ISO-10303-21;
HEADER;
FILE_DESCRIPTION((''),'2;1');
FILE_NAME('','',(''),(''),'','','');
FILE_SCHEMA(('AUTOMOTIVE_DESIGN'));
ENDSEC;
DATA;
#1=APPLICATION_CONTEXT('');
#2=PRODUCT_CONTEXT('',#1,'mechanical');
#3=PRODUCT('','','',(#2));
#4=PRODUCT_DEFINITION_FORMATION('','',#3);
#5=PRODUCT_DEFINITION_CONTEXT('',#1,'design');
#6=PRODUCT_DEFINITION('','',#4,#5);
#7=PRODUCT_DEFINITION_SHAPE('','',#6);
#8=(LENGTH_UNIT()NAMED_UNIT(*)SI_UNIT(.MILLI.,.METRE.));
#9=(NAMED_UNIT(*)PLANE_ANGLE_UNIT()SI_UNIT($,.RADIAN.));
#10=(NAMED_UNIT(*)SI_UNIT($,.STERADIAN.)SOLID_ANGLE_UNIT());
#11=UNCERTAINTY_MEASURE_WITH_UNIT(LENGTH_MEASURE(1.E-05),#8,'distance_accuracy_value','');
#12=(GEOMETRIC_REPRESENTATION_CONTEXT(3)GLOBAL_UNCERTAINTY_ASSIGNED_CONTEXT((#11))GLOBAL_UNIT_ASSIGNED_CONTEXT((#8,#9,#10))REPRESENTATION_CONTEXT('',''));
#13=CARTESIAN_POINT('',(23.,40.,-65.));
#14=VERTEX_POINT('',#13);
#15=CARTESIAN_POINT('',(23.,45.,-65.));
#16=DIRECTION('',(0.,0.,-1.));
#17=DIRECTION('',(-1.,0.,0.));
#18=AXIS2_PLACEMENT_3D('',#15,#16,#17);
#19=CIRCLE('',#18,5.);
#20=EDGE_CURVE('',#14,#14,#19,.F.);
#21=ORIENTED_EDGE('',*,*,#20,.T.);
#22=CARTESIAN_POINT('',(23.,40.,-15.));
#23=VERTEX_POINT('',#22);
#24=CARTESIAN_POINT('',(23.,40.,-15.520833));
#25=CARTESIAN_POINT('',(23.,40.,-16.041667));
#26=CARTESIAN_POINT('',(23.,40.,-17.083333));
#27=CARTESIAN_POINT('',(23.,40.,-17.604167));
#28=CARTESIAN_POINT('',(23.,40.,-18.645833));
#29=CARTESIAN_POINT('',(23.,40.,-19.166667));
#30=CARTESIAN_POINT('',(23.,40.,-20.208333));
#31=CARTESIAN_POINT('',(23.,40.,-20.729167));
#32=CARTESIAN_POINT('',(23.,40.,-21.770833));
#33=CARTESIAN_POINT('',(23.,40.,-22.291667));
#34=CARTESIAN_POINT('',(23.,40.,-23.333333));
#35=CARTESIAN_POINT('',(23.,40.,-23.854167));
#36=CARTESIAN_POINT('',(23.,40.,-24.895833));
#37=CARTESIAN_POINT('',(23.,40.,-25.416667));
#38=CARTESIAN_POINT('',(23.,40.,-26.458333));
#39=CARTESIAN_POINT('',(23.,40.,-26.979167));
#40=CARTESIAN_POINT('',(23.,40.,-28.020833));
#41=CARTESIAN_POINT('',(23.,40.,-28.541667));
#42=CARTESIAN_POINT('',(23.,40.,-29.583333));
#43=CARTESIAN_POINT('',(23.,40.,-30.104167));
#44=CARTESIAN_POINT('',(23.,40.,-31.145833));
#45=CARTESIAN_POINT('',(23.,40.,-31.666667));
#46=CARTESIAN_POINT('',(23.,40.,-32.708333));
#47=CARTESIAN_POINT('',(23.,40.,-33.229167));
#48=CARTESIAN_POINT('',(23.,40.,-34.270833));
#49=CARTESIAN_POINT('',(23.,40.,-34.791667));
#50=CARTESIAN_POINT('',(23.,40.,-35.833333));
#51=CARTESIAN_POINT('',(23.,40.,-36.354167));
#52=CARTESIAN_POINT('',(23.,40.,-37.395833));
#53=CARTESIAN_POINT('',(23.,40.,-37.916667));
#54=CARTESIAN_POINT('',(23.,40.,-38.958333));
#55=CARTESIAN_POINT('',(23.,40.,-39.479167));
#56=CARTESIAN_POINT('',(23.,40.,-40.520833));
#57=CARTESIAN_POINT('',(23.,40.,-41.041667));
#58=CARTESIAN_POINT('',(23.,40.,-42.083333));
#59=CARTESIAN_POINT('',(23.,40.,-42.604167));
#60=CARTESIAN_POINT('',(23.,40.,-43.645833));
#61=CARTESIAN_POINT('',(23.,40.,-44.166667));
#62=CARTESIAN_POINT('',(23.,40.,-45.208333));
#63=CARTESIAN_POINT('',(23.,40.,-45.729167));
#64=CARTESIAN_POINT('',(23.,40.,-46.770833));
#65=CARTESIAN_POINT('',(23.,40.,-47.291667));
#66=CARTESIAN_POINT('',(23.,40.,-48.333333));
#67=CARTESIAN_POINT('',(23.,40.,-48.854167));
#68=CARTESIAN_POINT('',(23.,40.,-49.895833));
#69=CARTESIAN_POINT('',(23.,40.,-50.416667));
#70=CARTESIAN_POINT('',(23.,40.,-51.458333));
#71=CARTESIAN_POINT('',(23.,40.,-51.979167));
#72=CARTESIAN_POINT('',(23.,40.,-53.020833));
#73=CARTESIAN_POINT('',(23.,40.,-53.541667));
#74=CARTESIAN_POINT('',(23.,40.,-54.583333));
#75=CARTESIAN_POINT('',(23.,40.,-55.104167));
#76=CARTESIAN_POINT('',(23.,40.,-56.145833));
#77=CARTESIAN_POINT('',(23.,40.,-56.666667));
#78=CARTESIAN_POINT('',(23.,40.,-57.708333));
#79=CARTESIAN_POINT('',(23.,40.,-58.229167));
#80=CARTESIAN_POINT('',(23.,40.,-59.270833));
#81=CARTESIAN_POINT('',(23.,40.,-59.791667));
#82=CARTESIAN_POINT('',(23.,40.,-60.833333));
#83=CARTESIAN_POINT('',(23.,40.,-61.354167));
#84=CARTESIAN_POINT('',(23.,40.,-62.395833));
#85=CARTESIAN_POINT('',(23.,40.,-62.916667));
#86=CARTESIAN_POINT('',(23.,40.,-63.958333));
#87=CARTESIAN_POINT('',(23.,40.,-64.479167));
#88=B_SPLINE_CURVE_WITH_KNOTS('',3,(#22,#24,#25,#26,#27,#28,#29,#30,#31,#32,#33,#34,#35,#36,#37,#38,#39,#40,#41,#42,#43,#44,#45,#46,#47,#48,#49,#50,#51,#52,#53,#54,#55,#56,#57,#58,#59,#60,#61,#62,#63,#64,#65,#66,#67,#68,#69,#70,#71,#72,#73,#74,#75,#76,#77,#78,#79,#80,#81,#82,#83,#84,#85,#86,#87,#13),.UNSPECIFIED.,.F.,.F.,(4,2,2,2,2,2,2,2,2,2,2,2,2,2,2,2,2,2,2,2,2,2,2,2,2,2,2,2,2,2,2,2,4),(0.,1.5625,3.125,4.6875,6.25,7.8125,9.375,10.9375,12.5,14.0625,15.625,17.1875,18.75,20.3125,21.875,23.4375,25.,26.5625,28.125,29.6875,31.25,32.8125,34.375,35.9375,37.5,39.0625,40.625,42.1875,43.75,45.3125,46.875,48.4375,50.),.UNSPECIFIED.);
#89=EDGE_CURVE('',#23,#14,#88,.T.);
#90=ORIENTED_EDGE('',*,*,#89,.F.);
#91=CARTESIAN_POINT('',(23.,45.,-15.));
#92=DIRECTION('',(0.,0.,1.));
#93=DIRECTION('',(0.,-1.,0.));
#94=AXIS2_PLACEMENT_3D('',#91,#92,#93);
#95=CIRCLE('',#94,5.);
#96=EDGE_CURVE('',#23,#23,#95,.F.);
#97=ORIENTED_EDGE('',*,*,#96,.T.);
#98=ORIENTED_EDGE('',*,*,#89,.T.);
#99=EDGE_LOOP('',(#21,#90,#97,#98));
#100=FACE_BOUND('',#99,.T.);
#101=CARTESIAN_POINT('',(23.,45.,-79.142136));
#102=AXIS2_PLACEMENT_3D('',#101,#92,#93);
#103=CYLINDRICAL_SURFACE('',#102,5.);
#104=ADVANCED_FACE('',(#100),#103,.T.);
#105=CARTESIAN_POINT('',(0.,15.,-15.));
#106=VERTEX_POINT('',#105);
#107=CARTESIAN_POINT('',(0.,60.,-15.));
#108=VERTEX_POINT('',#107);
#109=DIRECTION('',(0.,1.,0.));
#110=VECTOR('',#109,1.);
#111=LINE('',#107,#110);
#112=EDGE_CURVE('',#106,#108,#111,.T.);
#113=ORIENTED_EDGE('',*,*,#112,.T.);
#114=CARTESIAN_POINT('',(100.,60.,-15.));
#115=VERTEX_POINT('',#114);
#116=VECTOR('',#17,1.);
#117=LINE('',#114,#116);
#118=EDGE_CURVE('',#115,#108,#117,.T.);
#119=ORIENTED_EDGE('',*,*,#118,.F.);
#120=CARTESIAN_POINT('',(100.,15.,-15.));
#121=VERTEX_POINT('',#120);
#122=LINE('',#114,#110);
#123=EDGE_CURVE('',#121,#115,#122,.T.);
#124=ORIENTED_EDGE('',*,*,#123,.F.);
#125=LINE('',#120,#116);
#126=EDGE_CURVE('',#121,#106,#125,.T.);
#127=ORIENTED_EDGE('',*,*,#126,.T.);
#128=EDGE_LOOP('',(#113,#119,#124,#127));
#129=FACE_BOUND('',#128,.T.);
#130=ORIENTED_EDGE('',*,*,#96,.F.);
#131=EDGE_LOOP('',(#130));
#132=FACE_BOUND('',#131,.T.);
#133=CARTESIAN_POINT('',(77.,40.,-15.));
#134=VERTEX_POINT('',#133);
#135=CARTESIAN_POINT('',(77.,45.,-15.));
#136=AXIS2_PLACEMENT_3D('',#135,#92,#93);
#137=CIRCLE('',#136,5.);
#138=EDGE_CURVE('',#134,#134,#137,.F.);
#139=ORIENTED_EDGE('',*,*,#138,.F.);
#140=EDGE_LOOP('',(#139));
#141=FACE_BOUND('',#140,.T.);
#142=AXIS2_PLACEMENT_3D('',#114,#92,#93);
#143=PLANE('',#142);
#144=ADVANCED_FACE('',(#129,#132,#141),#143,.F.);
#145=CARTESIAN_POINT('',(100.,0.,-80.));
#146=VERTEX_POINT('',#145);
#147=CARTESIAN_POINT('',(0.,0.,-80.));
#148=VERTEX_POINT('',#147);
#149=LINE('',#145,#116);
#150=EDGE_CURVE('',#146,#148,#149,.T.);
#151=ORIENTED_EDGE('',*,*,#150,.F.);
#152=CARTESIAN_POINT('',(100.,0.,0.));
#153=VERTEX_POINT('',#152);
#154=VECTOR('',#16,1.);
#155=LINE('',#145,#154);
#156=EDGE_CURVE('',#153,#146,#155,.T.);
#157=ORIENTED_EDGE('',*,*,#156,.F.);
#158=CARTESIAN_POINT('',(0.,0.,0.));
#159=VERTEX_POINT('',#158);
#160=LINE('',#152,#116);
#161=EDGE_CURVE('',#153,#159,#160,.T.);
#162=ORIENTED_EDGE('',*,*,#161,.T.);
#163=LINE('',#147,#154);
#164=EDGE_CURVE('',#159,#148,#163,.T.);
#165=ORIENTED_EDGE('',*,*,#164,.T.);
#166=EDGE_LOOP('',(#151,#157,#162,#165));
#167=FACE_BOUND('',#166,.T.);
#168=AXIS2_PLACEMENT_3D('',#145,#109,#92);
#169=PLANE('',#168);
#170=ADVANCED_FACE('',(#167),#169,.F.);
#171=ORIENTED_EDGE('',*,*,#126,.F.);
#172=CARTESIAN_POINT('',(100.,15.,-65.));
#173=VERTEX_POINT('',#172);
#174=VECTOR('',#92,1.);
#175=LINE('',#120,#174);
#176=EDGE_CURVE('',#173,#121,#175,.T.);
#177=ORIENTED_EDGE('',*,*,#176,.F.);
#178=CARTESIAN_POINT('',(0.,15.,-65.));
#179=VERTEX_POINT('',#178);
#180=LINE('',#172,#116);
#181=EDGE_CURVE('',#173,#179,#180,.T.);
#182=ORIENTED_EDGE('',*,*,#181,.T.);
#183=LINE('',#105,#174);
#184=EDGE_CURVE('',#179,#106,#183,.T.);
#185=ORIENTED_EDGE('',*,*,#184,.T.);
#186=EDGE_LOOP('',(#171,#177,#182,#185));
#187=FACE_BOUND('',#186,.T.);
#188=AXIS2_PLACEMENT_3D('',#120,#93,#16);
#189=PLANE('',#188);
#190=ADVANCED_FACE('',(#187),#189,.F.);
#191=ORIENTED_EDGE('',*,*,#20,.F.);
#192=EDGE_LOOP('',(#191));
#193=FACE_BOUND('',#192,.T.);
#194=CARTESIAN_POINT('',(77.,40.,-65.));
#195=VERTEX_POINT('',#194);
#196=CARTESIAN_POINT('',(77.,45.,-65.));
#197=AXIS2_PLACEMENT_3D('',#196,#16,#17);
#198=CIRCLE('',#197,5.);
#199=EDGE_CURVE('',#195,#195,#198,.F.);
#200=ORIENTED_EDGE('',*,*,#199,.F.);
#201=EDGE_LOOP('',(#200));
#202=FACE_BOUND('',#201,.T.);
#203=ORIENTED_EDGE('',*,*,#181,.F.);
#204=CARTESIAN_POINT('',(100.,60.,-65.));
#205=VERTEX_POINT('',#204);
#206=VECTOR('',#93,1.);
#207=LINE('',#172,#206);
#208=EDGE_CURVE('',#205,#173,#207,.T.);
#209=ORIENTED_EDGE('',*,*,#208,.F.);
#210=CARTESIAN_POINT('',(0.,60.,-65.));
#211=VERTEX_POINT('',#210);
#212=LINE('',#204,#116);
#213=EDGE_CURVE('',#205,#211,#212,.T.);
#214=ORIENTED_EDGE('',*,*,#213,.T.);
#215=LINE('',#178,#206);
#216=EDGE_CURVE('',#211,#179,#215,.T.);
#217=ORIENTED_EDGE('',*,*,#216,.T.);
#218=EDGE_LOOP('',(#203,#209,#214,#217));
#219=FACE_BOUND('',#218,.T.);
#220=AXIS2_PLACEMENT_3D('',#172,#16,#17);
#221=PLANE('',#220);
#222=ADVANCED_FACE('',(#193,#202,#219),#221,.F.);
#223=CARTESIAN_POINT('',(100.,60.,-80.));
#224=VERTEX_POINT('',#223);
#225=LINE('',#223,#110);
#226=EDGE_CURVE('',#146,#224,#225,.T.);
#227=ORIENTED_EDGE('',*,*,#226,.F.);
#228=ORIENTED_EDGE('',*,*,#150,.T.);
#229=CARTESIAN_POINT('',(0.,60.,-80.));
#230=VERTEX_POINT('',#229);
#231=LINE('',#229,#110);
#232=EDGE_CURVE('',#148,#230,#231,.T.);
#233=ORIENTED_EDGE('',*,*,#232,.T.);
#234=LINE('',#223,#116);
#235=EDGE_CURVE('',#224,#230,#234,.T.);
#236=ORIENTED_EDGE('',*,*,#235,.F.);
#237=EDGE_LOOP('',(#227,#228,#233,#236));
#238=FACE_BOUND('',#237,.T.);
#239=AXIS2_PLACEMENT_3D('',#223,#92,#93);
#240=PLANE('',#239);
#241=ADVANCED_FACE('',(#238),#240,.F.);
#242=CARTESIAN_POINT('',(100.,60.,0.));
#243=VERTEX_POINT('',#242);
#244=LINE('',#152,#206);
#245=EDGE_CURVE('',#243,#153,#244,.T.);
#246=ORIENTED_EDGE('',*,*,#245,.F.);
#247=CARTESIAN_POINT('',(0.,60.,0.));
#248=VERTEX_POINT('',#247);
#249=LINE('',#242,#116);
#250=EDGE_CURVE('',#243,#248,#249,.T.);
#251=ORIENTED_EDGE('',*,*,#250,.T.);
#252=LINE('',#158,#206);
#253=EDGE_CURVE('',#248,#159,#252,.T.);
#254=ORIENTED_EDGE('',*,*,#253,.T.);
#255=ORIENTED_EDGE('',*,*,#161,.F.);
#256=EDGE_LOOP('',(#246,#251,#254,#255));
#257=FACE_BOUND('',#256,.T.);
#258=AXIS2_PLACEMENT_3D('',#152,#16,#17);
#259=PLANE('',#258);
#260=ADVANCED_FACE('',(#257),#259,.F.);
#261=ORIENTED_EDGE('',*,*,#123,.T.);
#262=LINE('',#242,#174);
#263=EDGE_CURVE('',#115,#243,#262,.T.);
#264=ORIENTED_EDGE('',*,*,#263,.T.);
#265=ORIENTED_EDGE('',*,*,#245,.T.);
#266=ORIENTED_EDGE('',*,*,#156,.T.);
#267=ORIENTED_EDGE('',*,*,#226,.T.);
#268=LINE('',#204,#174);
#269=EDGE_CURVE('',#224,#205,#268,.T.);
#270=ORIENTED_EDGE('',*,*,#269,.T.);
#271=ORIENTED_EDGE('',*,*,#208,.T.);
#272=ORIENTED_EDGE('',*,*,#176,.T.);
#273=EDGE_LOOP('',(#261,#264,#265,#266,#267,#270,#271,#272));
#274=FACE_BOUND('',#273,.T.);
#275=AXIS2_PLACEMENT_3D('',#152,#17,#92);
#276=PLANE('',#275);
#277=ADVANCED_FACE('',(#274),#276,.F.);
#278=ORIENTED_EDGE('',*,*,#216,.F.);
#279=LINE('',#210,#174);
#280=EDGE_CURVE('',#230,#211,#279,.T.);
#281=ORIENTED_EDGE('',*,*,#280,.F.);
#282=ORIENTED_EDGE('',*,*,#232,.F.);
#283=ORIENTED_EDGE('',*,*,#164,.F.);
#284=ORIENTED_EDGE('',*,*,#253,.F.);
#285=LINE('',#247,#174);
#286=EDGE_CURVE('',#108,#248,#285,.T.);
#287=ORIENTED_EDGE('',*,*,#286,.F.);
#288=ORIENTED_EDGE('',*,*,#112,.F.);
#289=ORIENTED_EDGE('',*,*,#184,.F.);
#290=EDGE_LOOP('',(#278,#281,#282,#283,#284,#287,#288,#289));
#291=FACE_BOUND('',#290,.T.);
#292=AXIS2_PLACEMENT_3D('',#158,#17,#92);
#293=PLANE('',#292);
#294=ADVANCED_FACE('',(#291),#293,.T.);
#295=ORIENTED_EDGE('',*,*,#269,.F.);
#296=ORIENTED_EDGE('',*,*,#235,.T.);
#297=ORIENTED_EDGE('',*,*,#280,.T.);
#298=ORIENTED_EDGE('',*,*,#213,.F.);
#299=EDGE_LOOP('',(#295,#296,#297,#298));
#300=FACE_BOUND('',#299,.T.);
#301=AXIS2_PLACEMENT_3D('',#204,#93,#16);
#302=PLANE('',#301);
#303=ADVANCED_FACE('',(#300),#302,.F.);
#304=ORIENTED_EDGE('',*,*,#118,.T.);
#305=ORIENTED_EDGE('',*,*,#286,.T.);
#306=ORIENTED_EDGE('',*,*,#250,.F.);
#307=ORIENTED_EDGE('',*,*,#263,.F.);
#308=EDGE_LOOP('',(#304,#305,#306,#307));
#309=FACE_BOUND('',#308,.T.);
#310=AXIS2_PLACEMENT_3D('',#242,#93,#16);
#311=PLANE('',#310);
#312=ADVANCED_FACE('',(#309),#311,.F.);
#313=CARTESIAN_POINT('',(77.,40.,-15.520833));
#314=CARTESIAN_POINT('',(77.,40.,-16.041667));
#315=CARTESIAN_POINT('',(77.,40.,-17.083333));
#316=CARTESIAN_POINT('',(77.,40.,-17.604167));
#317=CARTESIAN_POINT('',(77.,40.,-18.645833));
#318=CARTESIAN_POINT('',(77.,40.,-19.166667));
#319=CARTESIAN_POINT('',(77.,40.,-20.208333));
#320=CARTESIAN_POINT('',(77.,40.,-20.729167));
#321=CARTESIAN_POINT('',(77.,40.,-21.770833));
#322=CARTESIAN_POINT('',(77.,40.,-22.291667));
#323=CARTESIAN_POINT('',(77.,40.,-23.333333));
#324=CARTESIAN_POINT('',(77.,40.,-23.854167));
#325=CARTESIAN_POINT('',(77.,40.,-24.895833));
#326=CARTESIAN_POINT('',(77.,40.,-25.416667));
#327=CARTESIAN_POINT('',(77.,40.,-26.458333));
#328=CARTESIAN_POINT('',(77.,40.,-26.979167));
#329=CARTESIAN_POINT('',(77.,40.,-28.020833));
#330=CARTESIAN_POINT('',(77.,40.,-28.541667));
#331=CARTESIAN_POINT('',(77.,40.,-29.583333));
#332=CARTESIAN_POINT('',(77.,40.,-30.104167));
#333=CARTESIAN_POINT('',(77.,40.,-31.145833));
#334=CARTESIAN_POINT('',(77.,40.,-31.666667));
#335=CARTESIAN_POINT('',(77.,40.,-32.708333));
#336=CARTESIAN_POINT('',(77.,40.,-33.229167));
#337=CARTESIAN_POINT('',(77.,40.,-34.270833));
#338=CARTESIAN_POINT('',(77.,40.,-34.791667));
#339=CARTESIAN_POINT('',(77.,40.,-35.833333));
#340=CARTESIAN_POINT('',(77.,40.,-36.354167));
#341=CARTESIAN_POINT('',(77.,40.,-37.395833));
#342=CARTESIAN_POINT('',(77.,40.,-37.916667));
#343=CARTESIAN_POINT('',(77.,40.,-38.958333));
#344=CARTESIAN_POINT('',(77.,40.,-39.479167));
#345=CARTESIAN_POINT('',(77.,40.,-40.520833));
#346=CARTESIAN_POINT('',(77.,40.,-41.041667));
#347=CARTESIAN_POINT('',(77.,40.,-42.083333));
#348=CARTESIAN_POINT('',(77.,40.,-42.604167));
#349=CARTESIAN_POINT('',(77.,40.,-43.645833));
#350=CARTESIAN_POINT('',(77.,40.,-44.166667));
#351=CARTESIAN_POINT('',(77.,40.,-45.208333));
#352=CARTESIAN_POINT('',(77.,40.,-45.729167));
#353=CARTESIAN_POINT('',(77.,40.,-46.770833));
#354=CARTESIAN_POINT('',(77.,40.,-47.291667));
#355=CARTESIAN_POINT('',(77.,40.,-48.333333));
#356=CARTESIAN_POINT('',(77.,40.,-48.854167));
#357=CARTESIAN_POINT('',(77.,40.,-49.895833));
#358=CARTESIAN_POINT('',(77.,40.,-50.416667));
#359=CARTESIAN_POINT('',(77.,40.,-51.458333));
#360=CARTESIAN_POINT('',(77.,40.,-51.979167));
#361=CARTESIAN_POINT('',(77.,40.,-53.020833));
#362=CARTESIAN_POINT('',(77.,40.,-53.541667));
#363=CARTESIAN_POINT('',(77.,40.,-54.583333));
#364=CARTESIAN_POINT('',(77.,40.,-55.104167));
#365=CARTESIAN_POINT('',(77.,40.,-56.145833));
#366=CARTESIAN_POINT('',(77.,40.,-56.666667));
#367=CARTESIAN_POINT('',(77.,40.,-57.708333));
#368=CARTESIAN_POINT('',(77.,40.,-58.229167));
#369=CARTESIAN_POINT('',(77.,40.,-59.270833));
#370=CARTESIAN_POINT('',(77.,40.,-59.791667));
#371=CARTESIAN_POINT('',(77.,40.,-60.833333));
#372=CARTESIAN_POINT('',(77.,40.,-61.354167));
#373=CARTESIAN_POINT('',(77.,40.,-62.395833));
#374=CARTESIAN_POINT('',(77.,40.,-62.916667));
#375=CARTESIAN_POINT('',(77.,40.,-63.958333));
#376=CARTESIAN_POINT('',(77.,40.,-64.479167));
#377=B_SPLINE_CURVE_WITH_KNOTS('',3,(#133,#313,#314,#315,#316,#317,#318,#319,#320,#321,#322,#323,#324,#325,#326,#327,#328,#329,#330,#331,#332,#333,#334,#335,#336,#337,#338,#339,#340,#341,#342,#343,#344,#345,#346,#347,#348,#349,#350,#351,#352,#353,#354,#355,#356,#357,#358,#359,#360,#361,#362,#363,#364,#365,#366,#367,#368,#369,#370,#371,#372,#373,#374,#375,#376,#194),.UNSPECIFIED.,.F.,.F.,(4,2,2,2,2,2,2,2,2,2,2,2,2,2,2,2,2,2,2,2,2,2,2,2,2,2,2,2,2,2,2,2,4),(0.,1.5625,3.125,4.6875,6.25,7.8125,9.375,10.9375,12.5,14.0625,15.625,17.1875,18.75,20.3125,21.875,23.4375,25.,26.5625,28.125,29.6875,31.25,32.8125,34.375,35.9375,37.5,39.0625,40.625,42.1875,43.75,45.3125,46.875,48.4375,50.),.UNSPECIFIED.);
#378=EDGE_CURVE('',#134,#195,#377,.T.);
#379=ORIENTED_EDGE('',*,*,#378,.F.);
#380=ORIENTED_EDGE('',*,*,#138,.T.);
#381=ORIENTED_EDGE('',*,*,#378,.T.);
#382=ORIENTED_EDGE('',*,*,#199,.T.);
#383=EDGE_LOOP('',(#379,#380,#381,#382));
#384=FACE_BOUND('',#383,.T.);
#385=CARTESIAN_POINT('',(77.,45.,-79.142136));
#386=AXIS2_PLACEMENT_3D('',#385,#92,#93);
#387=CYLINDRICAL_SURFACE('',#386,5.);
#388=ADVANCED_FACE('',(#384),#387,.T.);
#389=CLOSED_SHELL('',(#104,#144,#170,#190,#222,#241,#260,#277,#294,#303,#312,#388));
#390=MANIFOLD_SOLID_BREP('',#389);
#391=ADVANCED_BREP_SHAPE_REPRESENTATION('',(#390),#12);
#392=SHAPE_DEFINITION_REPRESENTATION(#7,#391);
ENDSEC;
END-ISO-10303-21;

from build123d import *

# Parameters (mm, degrees)
BOSS_EXTRUDE1_DEPTH = 100
SKETCH2_R           = 5
BOSS_EXTRUDE2_DEPTH = 50


with BuildPart() as part:
    # Sketch1 → Boss-Extrude1 (new body)
    with BuildSketch(Plane(origin=(0, 0, 0), x_dir=(0, 0, -1), z_dir=(1, 0, 0))):
        Polygon((0, 0), (0, 60), (15, 60), (15, 15), (65, 15), (65, 60), (80, 60), (80, 0), align=None)
    extrude(amount=BOSS_EXTRUDE1_DEPTH)

    # Sketch2 → Boss-Extrude2 (add)
    with BuildSketch(Plane(origin=(0, 0, -15), x_dir=(-1, 0, 0), z_dir=(0, 0, -1))):
        with Locations(Location((-77, 45, 0), (0, 0, 270))):
            Circle(SKETCH2_R)
        with Locations(Location((-23, 45, 0), (0, 0, 270))):
            Circle(SKETCH2_R)
    extrude(amount=BOSS_EXTRUDE2_DEPTH)


solid = part.part
